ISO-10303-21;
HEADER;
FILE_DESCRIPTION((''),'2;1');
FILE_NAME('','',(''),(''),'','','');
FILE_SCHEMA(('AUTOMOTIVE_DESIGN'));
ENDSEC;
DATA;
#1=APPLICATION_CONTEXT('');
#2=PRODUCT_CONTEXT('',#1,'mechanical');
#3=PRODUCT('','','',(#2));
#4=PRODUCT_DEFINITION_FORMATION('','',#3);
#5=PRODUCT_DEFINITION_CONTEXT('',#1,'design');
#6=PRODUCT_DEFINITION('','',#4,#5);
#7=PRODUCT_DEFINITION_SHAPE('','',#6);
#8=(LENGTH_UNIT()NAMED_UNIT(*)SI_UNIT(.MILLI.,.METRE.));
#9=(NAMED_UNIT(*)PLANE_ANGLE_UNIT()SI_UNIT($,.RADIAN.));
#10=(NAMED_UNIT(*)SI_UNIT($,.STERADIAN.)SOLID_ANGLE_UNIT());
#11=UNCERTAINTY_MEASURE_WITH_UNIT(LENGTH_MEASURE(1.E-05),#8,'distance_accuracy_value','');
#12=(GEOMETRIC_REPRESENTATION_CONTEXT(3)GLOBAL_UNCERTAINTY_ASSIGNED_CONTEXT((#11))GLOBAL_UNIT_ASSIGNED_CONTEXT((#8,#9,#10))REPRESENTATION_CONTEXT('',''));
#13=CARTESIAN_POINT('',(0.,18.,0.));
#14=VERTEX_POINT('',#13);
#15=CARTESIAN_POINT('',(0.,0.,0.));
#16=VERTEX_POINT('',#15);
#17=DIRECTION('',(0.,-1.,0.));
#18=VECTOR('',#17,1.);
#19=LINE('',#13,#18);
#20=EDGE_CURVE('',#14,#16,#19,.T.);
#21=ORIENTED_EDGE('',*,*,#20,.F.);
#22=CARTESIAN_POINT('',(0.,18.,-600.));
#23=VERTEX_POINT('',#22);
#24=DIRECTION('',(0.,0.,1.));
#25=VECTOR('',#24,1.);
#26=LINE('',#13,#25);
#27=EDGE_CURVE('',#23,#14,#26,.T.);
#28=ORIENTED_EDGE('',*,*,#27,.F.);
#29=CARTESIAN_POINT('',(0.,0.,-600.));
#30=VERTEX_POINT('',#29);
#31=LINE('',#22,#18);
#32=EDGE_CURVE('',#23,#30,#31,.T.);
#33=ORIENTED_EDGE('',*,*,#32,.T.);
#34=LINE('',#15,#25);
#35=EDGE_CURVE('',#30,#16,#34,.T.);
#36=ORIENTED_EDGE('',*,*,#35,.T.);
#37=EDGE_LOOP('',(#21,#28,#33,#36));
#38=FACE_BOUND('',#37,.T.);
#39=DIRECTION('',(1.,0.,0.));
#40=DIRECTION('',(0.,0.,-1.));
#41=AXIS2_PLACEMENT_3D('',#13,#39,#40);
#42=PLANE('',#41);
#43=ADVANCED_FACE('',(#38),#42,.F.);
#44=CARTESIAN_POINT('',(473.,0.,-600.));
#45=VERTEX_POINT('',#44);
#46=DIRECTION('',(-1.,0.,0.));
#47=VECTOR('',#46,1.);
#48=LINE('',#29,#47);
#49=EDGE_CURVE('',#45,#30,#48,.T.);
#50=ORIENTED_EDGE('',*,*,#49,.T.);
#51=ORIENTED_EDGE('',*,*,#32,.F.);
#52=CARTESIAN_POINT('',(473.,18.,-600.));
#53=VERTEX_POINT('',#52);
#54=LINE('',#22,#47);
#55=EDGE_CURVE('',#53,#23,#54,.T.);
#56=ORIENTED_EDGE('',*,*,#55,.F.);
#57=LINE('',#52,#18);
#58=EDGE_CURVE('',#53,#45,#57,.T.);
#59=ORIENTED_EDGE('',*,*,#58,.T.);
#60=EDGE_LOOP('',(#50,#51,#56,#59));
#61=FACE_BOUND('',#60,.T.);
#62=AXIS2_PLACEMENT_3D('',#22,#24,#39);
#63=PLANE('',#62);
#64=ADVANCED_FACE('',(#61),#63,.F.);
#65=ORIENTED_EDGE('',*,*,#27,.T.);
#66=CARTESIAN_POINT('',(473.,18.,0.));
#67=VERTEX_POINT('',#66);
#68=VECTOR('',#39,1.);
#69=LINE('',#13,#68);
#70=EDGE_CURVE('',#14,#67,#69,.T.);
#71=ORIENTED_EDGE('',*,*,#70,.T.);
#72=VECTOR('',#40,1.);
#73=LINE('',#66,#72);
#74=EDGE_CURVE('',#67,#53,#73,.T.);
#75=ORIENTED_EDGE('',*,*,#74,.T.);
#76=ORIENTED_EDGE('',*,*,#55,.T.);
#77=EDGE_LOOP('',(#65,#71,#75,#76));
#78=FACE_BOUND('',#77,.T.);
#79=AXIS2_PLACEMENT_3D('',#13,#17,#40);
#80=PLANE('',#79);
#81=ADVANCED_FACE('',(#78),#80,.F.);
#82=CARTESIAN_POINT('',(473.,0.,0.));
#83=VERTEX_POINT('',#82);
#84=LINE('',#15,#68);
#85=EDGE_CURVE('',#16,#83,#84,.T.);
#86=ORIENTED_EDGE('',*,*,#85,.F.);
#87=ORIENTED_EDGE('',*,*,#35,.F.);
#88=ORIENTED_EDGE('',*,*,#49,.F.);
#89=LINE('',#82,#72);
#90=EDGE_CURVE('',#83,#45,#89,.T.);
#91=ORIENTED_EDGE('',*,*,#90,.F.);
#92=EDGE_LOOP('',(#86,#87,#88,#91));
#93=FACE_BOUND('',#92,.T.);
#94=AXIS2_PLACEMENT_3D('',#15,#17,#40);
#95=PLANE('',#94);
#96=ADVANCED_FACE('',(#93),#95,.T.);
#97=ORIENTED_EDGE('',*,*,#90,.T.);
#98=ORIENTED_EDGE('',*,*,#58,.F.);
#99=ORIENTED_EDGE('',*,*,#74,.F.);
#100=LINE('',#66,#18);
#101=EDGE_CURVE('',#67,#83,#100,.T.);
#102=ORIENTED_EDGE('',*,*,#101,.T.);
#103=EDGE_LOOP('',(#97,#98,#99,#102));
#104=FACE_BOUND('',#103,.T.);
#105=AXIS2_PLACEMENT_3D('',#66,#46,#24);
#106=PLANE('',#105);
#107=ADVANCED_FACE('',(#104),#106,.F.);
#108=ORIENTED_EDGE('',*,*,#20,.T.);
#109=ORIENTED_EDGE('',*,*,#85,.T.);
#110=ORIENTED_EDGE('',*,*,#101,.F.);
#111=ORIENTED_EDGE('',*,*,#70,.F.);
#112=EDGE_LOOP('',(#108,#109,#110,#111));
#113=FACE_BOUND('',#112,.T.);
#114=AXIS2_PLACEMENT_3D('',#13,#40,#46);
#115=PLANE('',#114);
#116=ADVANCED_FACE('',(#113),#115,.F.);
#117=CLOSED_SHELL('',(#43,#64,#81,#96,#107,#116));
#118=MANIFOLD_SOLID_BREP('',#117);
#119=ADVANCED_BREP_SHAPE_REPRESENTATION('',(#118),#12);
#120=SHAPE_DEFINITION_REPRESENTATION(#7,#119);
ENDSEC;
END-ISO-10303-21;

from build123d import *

# Parameters (mm, degrees)
SKETCH_1_W      = 473
SKETCH_1_H      = 600
EXTRUDE_1_DEPTH = 18


with BuildPart() as part:
    # Эскиз1 → Бобышка-Вытянуть1 (new body)
    with BuildSketch(Plane(origin=(0, 0, 0), x_dir=(1, 0, 0), z_dir=(0, 1, 0))):
        with Locations((236.5, 300)):
            Rectangle(SKETCH_1_W, SKETCH_1_H)
    extrude(amount=EXTRUDE_1_DEPTH)


solid = part.part
